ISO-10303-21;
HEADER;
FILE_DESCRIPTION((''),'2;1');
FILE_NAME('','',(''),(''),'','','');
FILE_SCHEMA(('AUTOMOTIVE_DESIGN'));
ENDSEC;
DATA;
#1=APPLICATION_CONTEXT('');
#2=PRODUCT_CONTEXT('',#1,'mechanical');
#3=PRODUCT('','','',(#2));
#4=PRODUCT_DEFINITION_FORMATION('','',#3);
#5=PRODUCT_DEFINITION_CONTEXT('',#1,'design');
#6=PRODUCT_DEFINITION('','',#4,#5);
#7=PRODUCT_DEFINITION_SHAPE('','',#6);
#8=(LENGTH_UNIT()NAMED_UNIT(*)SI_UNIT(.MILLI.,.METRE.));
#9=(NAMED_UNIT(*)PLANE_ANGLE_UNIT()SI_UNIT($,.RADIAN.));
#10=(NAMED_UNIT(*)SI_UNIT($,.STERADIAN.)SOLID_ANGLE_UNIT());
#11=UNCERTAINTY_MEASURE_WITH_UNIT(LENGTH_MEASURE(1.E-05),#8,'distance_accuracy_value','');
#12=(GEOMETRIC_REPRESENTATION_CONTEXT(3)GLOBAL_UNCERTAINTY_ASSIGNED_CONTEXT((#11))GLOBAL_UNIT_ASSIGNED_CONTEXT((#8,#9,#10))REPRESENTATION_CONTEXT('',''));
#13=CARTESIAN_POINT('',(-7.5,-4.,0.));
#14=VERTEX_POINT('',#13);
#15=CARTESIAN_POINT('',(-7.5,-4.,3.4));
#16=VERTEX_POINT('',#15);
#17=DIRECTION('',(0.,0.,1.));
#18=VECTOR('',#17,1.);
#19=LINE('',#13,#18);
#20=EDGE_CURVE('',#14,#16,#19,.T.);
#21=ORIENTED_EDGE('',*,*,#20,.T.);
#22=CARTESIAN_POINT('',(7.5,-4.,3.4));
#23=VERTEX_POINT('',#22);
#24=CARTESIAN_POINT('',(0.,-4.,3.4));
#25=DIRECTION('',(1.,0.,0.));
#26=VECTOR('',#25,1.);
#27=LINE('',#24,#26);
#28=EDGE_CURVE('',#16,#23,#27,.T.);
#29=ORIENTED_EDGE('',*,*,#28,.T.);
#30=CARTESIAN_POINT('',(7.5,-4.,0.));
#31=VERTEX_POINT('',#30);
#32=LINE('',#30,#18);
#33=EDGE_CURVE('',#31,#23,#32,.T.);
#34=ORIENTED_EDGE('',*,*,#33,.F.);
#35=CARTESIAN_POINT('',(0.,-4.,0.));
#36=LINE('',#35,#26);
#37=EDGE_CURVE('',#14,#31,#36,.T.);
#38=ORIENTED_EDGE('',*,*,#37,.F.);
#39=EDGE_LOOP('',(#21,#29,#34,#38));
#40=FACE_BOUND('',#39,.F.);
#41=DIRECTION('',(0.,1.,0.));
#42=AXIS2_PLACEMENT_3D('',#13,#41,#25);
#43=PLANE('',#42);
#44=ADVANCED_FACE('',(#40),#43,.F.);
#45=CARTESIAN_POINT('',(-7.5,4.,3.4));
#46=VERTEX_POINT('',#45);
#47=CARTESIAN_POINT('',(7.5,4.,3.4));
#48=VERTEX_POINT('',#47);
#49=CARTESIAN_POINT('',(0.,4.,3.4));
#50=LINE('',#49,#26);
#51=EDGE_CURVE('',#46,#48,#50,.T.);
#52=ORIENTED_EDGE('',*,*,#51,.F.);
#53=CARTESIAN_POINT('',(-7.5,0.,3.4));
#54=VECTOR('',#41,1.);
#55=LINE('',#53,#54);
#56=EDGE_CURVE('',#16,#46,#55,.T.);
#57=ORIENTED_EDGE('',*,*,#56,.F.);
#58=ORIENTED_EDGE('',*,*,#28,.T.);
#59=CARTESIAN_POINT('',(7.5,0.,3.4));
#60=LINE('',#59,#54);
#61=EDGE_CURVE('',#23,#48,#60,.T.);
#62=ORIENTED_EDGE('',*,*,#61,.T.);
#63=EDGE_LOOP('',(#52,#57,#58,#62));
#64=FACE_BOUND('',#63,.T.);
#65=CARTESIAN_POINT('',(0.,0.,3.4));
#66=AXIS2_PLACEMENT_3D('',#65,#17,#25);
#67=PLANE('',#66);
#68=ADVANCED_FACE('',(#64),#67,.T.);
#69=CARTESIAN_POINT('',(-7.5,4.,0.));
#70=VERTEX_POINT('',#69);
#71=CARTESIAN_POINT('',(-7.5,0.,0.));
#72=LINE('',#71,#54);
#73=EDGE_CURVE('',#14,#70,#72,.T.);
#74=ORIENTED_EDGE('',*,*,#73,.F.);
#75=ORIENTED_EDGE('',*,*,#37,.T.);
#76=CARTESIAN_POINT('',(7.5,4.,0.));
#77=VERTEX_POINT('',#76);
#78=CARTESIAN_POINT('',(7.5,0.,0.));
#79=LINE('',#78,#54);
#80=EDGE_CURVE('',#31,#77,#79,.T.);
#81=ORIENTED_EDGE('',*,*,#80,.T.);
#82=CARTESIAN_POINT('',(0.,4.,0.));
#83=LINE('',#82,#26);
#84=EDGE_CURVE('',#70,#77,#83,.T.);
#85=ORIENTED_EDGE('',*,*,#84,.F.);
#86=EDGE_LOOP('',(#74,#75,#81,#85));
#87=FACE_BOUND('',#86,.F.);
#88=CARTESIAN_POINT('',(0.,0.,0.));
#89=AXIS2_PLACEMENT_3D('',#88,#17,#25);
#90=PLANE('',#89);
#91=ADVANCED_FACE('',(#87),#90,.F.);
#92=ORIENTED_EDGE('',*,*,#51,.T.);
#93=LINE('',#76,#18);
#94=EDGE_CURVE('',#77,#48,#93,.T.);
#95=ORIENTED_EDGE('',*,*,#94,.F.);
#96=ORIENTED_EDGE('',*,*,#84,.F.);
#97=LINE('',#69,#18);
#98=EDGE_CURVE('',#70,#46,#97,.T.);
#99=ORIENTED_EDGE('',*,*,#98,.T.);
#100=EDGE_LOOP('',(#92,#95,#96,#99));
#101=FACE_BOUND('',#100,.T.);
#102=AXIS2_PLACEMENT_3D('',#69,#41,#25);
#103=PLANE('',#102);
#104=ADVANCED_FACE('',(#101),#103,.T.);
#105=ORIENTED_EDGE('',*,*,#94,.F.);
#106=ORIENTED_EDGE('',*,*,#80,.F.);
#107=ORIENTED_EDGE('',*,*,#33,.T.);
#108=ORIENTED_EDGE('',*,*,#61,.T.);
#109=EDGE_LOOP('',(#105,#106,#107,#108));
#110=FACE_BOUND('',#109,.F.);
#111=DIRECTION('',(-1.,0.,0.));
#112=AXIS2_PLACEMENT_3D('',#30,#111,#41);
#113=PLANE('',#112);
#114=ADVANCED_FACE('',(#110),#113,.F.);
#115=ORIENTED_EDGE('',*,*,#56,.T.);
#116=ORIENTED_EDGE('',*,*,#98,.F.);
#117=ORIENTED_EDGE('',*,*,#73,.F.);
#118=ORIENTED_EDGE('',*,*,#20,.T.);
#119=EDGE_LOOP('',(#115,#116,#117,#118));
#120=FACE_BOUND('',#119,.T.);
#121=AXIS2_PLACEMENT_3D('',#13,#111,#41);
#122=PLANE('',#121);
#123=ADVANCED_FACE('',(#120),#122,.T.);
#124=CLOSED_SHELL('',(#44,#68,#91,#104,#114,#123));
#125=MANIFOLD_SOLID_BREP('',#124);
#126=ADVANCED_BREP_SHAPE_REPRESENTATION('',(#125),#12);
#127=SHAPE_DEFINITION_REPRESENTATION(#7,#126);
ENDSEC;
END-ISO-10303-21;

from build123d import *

# Parameters (mm, degrees)
SKETCH_W  = 15
SKETCH_H  = 8
PAD_DEPTH = 3.4


with BuildPart() as part:
    # Sketch → Pad (new body)
    with BuildSketch(Plane.XY):
        Rectangle(SKETCH_W, SKETCH_H)
    extrude(amount=PAD_DEPTH)


solid = part.part
